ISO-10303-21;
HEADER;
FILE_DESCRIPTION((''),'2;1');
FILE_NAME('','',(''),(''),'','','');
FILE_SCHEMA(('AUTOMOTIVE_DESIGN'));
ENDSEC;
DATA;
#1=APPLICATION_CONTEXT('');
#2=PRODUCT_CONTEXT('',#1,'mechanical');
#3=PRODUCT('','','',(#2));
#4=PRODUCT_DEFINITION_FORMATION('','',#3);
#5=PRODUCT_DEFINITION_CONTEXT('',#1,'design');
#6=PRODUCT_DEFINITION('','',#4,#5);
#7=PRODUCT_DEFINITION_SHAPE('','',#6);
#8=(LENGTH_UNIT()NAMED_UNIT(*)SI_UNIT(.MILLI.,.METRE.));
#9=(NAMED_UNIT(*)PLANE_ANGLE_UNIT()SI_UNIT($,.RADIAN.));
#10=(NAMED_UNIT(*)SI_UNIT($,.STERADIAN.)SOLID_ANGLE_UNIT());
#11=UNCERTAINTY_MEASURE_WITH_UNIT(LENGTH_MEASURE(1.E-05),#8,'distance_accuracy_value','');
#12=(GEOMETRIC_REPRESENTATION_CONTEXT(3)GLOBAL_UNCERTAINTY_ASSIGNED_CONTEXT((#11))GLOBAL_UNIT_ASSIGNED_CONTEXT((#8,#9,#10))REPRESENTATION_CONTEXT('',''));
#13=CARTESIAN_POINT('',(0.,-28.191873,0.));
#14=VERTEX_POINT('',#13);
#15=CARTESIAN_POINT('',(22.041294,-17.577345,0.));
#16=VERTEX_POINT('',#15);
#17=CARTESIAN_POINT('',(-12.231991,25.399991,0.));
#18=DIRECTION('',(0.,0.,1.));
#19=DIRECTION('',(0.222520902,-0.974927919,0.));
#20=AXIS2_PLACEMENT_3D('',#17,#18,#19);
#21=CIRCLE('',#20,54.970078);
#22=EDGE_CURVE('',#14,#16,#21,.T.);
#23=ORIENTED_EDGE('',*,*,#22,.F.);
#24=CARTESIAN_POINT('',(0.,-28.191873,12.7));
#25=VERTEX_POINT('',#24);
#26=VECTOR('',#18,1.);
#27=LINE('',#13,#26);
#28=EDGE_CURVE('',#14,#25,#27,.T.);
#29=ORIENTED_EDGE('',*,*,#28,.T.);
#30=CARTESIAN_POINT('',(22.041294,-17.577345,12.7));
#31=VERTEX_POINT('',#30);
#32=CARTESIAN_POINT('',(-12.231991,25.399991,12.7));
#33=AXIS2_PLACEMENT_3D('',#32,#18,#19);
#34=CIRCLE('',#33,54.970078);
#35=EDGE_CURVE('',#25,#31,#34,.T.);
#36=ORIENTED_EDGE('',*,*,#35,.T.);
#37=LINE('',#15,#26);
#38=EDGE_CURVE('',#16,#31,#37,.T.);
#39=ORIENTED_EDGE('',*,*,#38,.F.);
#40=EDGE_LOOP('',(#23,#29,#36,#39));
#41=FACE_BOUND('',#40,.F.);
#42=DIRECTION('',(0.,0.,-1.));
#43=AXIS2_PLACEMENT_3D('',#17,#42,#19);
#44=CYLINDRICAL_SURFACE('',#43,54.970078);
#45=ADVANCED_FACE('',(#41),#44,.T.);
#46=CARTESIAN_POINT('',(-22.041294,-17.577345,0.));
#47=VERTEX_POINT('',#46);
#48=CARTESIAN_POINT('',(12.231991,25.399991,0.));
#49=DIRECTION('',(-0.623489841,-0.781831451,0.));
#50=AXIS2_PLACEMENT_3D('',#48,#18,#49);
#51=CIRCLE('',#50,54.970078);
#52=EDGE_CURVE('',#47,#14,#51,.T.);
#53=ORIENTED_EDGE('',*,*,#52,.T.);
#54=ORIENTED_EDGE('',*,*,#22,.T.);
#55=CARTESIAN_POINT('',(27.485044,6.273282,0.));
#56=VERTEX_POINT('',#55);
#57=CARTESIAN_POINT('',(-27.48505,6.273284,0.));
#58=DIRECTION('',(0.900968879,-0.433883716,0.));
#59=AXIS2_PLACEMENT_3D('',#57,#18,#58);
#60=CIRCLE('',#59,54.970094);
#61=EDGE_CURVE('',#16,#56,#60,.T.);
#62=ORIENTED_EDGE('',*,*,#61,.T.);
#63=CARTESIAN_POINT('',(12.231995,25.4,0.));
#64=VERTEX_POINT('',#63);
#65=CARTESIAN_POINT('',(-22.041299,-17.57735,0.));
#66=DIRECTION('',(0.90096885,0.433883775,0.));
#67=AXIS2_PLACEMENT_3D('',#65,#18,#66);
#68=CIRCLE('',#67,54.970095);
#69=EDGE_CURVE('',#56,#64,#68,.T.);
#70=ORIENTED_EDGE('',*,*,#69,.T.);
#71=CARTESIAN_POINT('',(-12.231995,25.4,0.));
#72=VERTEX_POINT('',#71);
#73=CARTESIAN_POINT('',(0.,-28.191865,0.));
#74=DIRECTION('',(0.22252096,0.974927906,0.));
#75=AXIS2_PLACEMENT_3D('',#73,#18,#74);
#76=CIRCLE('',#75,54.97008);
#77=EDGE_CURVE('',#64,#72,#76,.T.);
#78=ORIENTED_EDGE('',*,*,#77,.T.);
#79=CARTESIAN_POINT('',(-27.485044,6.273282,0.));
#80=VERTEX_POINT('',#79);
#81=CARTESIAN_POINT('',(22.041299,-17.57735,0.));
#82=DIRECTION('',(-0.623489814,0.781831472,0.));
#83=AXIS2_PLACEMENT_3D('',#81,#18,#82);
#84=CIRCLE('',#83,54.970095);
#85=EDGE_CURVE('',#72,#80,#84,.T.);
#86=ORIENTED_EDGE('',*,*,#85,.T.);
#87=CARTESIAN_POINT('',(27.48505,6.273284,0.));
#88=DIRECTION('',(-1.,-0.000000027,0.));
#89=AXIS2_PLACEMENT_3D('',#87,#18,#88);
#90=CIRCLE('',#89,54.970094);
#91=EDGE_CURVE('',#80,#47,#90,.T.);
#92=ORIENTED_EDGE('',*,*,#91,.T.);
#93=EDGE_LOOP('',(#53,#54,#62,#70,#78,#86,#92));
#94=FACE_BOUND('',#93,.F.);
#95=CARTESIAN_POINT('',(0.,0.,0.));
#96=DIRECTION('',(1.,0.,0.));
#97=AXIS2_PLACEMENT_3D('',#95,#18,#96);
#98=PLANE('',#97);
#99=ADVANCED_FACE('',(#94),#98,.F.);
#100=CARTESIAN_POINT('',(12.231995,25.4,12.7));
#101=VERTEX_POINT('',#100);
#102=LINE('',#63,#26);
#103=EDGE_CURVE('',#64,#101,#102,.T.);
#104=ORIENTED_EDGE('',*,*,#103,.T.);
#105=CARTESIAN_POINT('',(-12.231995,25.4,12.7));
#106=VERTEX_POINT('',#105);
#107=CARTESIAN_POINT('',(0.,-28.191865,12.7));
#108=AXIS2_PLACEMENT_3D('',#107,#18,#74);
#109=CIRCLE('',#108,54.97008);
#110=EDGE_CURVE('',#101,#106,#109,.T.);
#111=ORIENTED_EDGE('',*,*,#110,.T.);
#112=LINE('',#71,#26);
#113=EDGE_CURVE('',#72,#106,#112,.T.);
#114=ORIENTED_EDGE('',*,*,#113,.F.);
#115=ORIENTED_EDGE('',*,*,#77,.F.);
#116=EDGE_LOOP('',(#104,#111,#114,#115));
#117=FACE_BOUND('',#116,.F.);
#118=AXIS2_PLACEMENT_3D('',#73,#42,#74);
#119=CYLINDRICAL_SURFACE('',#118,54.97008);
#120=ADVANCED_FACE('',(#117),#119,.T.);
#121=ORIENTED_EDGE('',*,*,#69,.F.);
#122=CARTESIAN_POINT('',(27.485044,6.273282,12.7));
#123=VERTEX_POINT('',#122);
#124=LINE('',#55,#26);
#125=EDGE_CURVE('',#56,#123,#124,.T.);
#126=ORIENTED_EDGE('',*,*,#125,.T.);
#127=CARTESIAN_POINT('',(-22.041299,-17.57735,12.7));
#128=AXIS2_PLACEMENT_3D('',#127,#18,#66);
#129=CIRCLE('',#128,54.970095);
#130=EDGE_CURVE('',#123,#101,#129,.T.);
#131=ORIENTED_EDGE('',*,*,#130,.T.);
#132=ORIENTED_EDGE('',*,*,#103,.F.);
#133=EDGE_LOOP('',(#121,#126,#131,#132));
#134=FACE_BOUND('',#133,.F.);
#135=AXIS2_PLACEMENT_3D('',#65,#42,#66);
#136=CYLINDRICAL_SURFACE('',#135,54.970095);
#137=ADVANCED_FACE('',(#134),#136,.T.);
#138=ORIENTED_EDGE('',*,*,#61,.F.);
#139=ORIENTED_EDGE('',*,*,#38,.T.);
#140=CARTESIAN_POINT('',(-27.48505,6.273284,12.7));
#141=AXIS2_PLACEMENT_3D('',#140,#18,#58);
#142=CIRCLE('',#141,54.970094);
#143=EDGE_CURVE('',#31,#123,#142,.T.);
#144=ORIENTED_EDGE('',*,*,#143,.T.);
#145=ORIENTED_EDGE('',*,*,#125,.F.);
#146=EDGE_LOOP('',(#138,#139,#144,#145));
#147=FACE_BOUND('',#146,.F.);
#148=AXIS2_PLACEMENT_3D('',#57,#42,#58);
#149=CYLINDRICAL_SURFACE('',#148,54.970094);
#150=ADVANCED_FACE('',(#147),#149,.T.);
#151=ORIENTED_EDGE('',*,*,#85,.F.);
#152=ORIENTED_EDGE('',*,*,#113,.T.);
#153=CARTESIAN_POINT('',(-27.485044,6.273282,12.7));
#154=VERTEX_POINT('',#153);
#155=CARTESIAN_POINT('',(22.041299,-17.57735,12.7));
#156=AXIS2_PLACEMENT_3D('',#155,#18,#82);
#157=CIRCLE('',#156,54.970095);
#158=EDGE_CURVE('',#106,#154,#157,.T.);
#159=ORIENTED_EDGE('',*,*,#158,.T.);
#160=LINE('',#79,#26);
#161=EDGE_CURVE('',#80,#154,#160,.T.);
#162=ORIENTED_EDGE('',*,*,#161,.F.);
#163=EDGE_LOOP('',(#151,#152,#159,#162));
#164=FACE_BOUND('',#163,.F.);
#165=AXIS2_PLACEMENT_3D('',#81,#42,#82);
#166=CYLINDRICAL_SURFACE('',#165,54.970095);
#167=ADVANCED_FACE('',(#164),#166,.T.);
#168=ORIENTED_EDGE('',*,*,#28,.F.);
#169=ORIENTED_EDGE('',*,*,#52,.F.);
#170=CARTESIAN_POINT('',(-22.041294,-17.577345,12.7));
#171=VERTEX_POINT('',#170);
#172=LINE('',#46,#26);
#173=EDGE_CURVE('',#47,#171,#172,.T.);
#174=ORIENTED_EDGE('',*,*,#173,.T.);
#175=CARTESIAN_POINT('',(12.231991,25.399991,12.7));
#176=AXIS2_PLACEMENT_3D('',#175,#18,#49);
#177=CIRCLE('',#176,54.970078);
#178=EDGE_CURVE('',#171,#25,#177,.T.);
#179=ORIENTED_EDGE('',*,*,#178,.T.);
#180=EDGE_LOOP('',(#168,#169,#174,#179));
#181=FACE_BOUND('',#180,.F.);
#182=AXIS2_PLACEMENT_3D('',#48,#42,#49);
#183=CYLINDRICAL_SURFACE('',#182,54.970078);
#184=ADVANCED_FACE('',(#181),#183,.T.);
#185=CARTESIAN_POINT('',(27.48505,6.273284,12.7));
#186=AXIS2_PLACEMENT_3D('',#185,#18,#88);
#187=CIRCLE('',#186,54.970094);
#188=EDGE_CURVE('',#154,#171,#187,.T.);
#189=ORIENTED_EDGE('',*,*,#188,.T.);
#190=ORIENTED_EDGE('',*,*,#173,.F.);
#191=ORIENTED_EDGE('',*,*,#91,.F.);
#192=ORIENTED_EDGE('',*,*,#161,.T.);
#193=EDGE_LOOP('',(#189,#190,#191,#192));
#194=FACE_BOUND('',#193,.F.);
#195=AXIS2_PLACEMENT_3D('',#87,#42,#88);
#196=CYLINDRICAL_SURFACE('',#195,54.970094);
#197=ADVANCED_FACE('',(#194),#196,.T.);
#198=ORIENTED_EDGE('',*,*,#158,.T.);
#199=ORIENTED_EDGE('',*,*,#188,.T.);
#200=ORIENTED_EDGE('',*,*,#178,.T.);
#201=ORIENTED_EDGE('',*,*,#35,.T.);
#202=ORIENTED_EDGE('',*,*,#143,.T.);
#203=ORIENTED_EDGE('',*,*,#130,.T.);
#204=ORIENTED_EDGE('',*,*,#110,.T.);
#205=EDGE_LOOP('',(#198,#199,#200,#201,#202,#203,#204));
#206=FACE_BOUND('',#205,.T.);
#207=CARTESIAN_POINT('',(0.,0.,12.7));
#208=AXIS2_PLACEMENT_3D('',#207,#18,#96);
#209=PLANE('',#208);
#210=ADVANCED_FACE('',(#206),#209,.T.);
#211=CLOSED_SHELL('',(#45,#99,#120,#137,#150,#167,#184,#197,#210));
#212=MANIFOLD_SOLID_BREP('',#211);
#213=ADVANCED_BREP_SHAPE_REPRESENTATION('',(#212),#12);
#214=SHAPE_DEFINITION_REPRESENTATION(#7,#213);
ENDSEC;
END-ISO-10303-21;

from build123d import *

# Parameters (mm, degrees)
F1_DEPTH = 12.7


with BuildPart() as f1:
    # F0 (on Top) → F1 (new body)
    with BuildSketch(Plane.XY):
        with BuildLine():
            ThreePointArc((27.485044, 6.273282), (20.936051, 16.695944), (12.231995, 25.4))
            ThreePointArc((12.231995, 25.4), (0, 26.778215), (-12.231995, 25.4))
            ThreePointArc((-12.231995, 25.4), (-20.936051, 16.695944), (-27.485044, 6.273282))
            ThreePointArc((-27.485044, 6.273282), (-26.106829, -5.958713), (-22.041294, -17.577345))
            ThreePointArc((-22.041294, -17.577345), (-11.618632, -24.126338), (0, -28.191873))
            ThreePointArc((0, -28.191873), (11.618632, -24.126338), (22.041294, -17.577345))
            ThreePointArc((22.041294, -17.577345), (26.106829, -5.958713), (27.485044, 6.273282))
        make_face()
    extrude(amount=F1_DEPTH)


solid = f1.part
